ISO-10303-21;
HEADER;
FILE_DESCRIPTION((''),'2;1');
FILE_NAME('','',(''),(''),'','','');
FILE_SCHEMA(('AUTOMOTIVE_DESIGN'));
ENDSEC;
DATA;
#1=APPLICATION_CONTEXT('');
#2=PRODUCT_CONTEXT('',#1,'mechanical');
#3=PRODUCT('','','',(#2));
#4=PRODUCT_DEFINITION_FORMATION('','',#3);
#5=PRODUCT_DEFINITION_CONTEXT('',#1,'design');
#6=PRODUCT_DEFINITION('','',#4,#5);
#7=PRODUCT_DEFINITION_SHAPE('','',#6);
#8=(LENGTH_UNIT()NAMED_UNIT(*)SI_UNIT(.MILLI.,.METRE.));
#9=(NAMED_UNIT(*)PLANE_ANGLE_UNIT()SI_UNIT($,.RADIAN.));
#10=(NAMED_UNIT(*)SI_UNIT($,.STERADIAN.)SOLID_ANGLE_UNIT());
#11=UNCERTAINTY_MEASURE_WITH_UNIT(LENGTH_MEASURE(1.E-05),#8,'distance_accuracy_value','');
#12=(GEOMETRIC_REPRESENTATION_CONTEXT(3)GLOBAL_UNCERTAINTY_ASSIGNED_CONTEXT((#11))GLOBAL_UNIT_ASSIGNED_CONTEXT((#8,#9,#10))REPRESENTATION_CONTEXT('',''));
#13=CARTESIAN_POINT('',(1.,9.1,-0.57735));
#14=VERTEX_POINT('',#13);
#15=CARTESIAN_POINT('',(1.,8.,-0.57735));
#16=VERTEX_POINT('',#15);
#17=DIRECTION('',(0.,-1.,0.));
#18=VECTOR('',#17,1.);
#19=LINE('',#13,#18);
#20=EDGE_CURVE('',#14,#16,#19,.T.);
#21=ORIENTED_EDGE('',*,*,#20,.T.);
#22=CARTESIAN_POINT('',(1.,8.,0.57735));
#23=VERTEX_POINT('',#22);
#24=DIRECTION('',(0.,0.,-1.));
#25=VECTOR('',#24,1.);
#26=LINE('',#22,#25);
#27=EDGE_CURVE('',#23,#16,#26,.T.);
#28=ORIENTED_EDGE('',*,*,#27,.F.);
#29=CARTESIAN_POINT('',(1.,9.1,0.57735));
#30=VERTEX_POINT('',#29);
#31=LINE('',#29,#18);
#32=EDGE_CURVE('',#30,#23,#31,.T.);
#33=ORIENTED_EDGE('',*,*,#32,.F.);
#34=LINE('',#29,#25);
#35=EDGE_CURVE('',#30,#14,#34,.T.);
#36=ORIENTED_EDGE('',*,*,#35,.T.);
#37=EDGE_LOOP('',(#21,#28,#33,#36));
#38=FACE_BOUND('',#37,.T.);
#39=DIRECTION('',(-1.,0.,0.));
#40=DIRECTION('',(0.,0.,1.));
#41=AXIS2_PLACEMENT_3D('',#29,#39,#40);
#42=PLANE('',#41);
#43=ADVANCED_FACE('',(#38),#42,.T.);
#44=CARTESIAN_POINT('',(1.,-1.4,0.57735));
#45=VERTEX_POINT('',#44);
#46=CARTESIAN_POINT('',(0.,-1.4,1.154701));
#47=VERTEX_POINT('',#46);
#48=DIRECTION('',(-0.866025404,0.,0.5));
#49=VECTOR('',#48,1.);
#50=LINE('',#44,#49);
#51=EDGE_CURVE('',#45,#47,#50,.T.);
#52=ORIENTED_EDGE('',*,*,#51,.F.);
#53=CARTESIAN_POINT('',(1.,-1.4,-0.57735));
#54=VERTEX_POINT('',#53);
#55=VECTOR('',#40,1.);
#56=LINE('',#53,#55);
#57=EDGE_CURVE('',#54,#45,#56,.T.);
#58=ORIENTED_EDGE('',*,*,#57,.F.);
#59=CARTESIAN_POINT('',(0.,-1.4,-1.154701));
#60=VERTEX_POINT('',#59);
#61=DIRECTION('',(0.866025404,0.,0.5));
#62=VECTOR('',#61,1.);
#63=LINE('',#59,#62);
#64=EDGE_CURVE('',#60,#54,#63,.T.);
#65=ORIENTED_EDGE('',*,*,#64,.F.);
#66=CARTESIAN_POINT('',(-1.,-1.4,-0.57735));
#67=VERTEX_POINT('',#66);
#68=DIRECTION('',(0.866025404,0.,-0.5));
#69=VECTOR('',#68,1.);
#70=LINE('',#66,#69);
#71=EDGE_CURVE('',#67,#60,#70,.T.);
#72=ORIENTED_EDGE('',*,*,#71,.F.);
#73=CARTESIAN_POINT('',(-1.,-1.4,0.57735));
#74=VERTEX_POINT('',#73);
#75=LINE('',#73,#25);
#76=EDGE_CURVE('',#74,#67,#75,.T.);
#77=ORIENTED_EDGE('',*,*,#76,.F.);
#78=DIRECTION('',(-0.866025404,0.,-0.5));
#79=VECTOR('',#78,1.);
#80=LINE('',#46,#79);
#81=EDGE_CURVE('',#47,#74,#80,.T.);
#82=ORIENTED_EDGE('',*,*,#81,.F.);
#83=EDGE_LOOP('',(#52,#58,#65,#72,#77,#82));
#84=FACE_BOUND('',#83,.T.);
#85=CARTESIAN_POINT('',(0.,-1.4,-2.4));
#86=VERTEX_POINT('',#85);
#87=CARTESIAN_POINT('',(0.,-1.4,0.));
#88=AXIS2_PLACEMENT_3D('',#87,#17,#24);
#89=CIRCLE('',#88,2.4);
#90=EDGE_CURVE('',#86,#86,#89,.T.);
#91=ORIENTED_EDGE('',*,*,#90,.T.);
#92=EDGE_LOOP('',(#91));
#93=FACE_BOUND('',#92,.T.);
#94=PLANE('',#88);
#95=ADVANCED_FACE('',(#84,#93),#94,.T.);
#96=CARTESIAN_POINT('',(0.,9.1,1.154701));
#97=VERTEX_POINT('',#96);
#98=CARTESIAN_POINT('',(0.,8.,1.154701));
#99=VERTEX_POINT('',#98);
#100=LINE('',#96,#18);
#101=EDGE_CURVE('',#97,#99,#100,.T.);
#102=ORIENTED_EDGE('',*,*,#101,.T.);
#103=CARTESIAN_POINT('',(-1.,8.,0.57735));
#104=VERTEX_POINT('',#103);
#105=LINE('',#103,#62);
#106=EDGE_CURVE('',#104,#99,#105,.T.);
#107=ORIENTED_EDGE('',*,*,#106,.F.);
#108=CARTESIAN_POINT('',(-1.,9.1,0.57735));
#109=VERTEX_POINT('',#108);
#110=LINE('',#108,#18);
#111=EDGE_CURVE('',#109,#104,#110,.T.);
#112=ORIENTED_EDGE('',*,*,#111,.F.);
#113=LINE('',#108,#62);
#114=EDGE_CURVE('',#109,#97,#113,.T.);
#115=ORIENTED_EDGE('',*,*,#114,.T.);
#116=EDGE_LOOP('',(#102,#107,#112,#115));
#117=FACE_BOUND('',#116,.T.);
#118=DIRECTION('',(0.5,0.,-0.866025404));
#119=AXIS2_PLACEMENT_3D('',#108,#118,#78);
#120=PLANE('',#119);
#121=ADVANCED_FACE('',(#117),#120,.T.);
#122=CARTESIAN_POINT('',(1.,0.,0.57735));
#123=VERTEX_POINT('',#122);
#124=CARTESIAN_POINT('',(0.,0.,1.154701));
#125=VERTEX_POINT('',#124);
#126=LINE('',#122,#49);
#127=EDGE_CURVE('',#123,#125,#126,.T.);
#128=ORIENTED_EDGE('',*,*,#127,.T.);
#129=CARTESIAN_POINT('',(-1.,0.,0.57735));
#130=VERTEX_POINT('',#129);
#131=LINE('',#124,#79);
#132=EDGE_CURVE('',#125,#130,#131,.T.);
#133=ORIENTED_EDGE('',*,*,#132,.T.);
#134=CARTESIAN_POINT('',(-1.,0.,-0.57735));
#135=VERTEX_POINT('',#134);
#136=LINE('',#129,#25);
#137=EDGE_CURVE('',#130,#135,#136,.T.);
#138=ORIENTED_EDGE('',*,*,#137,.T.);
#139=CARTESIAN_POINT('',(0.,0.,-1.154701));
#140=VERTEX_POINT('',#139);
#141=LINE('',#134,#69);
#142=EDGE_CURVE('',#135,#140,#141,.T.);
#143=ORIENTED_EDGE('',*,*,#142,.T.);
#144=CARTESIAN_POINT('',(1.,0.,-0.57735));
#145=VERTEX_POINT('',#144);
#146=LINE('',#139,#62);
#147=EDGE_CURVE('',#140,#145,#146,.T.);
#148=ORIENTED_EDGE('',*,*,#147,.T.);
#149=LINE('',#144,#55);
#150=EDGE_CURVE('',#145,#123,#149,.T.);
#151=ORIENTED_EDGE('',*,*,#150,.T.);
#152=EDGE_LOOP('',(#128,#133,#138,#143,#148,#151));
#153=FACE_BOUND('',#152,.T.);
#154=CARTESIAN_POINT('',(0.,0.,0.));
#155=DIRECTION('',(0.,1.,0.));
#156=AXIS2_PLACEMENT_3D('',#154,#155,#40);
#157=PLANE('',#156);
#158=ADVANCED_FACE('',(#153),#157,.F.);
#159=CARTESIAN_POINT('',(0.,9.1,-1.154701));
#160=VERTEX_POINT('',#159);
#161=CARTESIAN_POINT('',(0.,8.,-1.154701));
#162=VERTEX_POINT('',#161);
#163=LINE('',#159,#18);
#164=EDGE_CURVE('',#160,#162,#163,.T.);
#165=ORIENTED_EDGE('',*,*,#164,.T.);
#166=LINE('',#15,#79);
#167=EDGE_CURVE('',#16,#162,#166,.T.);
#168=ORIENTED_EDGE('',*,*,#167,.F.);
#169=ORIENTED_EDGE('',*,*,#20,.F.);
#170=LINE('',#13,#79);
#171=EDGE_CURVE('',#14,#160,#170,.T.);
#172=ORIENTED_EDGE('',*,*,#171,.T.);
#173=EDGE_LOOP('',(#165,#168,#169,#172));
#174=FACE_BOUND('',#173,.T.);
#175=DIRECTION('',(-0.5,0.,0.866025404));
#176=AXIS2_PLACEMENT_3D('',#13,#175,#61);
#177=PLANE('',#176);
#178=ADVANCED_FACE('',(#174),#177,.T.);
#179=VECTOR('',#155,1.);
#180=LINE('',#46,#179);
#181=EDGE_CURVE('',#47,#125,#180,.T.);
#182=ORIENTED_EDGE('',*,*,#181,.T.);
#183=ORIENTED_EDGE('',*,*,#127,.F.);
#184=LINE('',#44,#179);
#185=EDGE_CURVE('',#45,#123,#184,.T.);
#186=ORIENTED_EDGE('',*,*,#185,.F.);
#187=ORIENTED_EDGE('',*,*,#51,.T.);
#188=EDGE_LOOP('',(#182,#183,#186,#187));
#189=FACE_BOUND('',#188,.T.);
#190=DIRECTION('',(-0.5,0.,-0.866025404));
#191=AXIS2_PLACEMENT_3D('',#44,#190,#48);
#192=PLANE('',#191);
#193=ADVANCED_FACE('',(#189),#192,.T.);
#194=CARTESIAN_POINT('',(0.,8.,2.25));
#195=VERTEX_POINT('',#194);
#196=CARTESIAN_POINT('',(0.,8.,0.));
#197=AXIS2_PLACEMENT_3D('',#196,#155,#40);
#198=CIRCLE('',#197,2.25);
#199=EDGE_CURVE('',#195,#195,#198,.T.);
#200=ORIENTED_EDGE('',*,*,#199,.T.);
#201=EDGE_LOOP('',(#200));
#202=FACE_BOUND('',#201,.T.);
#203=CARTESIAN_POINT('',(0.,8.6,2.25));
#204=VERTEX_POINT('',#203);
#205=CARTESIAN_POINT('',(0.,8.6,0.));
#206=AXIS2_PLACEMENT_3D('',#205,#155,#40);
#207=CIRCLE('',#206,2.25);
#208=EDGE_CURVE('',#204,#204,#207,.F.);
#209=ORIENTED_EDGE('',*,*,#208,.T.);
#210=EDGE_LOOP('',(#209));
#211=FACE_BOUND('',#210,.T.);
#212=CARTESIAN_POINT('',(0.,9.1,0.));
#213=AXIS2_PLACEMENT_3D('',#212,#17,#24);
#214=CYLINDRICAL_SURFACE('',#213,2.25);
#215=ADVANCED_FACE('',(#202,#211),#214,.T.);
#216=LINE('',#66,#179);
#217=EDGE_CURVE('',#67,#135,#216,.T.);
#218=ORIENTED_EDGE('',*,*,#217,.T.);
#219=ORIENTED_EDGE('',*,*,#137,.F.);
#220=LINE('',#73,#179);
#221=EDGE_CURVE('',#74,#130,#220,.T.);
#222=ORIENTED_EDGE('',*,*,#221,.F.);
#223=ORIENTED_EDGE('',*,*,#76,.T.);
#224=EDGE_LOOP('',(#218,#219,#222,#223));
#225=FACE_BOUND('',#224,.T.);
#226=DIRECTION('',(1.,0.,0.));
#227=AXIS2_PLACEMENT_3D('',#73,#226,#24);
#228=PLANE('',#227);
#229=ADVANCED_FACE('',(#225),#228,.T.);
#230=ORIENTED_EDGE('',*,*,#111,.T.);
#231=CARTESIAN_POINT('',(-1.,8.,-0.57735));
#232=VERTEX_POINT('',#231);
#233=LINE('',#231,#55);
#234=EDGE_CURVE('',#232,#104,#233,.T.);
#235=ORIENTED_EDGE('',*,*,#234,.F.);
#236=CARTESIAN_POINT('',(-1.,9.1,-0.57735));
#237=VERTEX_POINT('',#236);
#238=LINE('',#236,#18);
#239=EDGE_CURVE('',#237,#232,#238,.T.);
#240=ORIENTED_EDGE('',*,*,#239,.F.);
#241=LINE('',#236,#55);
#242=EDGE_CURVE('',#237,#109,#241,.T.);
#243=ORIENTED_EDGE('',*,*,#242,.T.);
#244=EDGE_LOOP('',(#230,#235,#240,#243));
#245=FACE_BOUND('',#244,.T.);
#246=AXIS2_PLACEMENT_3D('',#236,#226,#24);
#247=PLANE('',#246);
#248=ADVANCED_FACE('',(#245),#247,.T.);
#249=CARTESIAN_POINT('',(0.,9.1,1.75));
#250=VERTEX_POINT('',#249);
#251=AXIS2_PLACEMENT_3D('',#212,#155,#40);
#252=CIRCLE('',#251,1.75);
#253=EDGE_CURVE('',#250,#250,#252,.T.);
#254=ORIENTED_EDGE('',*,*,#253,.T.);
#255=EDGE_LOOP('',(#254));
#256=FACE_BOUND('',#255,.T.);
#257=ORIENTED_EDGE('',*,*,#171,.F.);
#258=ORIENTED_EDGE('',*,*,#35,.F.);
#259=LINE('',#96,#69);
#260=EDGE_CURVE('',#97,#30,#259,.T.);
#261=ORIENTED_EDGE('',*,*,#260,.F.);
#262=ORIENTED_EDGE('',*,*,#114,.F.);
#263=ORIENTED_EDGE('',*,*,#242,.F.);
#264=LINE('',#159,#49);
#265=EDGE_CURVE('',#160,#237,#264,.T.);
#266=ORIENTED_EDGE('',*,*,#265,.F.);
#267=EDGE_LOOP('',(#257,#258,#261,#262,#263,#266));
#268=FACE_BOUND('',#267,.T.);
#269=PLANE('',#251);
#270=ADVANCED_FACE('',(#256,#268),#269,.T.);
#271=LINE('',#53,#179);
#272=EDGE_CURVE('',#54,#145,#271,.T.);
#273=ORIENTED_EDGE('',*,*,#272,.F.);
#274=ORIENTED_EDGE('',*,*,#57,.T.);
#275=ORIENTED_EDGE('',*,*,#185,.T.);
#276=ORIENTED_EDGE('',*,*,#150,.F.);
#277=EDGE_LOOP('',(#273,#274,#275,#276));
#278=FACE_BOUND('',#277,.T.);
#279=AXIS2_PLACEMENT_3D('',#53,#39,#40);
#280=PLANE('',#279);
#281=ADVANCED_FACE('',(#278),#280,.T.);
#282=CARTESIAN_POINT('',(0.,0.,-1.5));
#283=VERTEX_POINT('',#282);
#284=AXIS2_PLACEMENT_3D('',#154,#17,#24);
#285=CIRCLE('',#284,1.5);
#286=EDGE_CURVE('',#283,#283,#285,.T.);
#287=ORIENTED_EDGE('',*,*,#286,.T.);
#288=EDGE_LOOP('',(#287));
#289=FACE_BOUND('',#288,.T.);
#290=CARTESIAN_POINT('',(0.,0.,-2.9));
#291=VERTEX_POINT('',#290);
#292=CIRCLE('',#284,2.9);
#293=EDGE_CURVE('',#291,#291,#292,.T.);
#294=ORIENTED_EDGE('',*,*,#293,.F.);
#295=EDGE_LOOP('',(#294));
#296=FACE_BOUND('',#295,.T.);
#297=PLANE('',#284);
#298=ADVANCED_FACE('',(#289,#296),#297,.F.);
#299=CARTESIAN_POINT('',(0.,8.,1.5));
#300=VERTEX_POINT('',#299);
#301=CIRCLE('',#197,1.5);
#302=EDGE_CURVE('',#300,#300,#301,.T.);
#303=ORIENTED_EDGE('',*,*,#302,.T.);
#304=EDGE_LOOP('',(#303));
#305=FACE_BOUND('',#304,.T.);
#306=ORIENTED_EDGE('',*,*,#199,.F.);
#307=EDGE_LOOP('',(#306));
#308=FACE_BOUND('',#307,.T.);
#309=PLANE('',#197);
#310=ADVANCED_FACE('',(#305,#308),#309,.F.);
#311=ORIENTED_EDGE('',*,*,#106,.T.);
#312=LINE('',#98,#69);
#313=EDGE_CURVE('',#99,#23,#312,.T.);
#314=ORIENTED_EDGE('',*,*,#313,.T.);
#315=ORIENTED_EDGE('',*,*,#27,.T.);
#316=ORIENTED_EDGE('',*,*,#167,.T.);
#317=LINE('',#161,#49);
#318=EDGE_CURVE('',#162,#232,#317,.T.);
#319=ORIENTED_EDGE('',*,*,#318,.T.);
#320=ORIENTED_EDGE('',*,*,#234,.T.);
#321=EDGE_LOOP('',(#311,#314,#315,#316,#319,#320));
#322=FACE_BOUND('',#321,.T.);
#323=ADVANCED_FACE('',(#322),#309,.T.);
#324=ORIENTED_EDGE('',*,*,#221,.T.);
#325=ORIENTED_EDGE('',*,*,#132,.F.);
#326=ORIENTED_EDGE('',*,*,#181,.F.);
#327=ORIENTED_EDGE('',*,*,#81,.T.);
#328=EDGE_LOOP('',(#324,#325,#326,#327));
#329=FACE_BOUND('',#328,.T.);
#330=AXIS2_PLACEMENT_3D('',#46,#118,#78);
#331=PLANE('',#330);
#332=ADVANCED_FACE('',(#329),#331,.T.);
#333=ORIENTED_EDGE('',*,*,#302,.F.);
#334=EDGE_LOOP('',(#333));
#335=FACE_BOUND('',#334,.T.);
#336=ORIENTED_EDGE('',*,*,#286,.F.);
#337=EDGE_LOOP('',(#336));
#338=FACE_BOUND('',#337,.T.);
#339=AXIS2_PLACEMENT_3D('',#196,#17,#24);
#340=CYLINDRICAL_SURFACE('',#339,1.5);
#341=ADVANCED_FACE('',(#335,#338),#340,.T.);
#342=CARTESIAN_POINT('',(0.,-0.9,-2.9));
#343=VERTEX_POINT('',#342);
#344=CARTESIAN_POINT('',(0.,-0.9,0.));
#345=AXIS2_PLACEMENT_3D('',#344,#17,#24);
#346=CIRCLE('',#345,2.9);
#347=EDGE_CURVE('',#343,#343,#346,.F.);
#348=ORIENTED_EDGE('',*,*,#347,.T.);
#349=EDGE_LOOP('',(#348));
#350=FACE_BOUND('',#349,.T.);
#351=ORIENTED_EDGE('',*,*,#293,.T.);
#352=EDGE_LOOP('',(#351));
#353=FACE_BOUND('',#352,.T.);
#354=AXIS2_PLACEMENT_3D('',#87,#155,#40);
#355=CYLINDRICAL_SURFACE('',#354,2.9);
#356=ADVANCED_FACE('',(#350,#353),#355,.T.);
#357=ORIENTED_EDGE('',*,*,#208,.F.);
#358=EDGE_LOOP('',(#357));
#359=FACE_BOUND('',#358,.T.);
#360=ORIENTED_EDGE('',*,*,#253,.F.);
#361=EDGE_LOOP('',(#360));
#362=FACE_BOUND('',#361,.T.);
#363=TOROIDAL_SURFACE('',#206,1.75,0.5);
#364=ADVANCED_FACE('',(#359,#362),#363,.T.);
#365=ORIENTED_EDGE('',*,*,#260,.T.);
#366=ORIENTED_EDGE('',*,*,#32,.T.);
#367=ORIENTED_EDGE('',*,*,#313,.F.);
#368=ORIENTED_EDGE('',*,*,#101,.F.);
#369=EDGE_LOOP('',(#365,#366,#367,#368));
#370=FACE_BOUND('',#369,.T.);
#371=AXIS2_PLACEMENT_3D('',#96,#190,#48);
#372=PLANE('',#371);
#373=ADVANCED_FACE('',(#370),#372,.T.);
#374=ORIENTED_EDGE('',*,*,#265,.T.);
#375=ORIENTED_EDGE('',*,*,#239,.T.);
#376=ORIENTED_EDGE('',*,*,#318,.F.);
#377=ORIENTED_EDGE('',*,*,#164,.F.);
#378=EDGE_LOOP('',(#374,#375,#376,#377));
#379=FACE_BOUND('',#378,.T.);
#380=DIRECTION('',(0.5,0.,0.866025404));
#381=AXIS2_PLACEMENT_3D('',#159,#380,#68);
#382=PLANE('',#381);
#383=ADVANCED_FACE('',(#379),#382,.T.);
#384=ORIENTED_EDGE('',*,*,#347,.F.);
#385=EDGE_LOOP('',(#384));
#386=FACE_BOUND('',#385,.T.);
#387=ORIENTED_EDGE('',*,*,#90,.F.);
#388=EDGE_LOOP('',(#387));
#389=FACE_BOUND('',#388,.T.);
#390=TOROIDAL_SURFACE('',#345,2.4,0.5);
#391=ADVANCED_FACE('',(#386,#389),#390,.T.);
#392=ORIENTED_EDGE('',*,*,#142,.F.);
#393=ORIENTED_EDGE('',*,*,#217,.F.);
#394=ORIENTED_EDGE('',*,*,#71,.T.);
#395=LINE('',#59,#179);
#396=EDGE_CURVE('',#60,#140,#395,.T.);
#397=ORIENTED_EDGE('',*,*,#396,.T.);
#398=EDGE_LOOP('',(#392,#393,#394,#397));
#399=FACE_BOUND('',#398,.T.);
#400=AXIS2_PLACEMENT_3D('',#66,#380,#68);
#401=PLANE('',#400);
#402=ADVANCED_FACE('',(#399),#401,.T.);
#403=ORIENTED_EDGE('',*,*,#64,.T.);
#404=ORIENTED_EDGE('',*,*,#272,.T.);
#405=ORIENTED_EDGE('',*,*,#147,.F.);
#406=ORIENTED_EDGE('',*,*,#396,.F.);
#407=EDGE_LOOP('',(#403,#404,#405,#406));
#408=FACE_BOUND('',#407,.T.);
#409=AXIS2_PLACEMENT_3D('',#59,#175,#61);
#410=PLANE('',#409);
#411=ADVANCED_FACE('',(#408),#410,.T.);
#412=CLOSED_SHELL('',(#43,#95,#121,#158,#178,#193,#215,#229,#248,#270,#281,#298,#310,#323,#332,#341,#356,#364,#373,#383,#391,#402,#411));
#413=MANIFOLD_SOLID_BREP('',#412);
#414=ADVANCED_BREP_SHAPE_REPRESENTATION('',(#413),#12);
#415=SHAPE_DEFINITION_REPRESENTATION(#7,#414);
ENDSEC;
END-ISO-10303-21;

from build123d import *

# Parameters (mm, degrees)
SKETCH_1_R      = 1.5
EXTRUDE_1_DEPTH = 8
SKETCH_2_R      = 2.25
EXTRUDE_2_DEPTH = 1.1
SKETCH_3_R      = 2.9
EXTRUDE_3_DEPTH = 1.4
FILLET_1_R      = 0.5


with BuildPart() as part:
    # 草图1 → 凸台-拉伸1 (new body)
    with BuildSketch(Plane(origin=(0, 0, 0), x_dir=(1, 0, 0), z_dir=(0, 1, 0))):
        with Locations(Location((0, 0, 0), (0, 0, 270))):
            Circle(SKETCH_1_R)
    extrude(amount=EXTRUDE_1_DEPTH)

    # 草图2 → 凸台-拉伸2 (add)
    with BuildSketch(Plane(origin=(0, 8, 0), x_dir=(1, 0, 0), z_dir=(0, 1, 0))):
        with Locations(Location((0, 0, 0), (0, 0, 270))):
            Circle(SKETCH_2_R)
        Polygon((0, 1.154700538), (-1, 0.577350269), (-1, -0.577350269), (0, -1.154700538), (1, -0.577350269), (1, 0.577350269), align=None, mode=Mode.SUBTRACT)
    extrude(amount=EXTRUDE_2_DEPTH)

    # 草图3 → 凸台-拉伸3 (add)
    with BuildSketch(Plane.XZ):
        with Locations(Location((0, 0, 0), (0, 0, 270))):
            Circle(SKETCH_3_R)
        Polygon((0, 1.154700538), (-1, 0.577350269), (-1, -0.577350269), (0, -1.154700538), (1, -0.577350269), (1, 0.577350269), align=None, mode=Mode.SUBTRACT)
    extrude(amount=EXTRUDE_3_DEPTH)

    # 圆角1
    fillet_1_edges = [part.edges().sort_by_distance(p)[0] for p in [
        (0, 9.1, -2.25),
        (0, -1.4, 2.9),
    ]]
    fillet(fillet_1_edges, radius=FILLET_1_R)


solid = part.part
